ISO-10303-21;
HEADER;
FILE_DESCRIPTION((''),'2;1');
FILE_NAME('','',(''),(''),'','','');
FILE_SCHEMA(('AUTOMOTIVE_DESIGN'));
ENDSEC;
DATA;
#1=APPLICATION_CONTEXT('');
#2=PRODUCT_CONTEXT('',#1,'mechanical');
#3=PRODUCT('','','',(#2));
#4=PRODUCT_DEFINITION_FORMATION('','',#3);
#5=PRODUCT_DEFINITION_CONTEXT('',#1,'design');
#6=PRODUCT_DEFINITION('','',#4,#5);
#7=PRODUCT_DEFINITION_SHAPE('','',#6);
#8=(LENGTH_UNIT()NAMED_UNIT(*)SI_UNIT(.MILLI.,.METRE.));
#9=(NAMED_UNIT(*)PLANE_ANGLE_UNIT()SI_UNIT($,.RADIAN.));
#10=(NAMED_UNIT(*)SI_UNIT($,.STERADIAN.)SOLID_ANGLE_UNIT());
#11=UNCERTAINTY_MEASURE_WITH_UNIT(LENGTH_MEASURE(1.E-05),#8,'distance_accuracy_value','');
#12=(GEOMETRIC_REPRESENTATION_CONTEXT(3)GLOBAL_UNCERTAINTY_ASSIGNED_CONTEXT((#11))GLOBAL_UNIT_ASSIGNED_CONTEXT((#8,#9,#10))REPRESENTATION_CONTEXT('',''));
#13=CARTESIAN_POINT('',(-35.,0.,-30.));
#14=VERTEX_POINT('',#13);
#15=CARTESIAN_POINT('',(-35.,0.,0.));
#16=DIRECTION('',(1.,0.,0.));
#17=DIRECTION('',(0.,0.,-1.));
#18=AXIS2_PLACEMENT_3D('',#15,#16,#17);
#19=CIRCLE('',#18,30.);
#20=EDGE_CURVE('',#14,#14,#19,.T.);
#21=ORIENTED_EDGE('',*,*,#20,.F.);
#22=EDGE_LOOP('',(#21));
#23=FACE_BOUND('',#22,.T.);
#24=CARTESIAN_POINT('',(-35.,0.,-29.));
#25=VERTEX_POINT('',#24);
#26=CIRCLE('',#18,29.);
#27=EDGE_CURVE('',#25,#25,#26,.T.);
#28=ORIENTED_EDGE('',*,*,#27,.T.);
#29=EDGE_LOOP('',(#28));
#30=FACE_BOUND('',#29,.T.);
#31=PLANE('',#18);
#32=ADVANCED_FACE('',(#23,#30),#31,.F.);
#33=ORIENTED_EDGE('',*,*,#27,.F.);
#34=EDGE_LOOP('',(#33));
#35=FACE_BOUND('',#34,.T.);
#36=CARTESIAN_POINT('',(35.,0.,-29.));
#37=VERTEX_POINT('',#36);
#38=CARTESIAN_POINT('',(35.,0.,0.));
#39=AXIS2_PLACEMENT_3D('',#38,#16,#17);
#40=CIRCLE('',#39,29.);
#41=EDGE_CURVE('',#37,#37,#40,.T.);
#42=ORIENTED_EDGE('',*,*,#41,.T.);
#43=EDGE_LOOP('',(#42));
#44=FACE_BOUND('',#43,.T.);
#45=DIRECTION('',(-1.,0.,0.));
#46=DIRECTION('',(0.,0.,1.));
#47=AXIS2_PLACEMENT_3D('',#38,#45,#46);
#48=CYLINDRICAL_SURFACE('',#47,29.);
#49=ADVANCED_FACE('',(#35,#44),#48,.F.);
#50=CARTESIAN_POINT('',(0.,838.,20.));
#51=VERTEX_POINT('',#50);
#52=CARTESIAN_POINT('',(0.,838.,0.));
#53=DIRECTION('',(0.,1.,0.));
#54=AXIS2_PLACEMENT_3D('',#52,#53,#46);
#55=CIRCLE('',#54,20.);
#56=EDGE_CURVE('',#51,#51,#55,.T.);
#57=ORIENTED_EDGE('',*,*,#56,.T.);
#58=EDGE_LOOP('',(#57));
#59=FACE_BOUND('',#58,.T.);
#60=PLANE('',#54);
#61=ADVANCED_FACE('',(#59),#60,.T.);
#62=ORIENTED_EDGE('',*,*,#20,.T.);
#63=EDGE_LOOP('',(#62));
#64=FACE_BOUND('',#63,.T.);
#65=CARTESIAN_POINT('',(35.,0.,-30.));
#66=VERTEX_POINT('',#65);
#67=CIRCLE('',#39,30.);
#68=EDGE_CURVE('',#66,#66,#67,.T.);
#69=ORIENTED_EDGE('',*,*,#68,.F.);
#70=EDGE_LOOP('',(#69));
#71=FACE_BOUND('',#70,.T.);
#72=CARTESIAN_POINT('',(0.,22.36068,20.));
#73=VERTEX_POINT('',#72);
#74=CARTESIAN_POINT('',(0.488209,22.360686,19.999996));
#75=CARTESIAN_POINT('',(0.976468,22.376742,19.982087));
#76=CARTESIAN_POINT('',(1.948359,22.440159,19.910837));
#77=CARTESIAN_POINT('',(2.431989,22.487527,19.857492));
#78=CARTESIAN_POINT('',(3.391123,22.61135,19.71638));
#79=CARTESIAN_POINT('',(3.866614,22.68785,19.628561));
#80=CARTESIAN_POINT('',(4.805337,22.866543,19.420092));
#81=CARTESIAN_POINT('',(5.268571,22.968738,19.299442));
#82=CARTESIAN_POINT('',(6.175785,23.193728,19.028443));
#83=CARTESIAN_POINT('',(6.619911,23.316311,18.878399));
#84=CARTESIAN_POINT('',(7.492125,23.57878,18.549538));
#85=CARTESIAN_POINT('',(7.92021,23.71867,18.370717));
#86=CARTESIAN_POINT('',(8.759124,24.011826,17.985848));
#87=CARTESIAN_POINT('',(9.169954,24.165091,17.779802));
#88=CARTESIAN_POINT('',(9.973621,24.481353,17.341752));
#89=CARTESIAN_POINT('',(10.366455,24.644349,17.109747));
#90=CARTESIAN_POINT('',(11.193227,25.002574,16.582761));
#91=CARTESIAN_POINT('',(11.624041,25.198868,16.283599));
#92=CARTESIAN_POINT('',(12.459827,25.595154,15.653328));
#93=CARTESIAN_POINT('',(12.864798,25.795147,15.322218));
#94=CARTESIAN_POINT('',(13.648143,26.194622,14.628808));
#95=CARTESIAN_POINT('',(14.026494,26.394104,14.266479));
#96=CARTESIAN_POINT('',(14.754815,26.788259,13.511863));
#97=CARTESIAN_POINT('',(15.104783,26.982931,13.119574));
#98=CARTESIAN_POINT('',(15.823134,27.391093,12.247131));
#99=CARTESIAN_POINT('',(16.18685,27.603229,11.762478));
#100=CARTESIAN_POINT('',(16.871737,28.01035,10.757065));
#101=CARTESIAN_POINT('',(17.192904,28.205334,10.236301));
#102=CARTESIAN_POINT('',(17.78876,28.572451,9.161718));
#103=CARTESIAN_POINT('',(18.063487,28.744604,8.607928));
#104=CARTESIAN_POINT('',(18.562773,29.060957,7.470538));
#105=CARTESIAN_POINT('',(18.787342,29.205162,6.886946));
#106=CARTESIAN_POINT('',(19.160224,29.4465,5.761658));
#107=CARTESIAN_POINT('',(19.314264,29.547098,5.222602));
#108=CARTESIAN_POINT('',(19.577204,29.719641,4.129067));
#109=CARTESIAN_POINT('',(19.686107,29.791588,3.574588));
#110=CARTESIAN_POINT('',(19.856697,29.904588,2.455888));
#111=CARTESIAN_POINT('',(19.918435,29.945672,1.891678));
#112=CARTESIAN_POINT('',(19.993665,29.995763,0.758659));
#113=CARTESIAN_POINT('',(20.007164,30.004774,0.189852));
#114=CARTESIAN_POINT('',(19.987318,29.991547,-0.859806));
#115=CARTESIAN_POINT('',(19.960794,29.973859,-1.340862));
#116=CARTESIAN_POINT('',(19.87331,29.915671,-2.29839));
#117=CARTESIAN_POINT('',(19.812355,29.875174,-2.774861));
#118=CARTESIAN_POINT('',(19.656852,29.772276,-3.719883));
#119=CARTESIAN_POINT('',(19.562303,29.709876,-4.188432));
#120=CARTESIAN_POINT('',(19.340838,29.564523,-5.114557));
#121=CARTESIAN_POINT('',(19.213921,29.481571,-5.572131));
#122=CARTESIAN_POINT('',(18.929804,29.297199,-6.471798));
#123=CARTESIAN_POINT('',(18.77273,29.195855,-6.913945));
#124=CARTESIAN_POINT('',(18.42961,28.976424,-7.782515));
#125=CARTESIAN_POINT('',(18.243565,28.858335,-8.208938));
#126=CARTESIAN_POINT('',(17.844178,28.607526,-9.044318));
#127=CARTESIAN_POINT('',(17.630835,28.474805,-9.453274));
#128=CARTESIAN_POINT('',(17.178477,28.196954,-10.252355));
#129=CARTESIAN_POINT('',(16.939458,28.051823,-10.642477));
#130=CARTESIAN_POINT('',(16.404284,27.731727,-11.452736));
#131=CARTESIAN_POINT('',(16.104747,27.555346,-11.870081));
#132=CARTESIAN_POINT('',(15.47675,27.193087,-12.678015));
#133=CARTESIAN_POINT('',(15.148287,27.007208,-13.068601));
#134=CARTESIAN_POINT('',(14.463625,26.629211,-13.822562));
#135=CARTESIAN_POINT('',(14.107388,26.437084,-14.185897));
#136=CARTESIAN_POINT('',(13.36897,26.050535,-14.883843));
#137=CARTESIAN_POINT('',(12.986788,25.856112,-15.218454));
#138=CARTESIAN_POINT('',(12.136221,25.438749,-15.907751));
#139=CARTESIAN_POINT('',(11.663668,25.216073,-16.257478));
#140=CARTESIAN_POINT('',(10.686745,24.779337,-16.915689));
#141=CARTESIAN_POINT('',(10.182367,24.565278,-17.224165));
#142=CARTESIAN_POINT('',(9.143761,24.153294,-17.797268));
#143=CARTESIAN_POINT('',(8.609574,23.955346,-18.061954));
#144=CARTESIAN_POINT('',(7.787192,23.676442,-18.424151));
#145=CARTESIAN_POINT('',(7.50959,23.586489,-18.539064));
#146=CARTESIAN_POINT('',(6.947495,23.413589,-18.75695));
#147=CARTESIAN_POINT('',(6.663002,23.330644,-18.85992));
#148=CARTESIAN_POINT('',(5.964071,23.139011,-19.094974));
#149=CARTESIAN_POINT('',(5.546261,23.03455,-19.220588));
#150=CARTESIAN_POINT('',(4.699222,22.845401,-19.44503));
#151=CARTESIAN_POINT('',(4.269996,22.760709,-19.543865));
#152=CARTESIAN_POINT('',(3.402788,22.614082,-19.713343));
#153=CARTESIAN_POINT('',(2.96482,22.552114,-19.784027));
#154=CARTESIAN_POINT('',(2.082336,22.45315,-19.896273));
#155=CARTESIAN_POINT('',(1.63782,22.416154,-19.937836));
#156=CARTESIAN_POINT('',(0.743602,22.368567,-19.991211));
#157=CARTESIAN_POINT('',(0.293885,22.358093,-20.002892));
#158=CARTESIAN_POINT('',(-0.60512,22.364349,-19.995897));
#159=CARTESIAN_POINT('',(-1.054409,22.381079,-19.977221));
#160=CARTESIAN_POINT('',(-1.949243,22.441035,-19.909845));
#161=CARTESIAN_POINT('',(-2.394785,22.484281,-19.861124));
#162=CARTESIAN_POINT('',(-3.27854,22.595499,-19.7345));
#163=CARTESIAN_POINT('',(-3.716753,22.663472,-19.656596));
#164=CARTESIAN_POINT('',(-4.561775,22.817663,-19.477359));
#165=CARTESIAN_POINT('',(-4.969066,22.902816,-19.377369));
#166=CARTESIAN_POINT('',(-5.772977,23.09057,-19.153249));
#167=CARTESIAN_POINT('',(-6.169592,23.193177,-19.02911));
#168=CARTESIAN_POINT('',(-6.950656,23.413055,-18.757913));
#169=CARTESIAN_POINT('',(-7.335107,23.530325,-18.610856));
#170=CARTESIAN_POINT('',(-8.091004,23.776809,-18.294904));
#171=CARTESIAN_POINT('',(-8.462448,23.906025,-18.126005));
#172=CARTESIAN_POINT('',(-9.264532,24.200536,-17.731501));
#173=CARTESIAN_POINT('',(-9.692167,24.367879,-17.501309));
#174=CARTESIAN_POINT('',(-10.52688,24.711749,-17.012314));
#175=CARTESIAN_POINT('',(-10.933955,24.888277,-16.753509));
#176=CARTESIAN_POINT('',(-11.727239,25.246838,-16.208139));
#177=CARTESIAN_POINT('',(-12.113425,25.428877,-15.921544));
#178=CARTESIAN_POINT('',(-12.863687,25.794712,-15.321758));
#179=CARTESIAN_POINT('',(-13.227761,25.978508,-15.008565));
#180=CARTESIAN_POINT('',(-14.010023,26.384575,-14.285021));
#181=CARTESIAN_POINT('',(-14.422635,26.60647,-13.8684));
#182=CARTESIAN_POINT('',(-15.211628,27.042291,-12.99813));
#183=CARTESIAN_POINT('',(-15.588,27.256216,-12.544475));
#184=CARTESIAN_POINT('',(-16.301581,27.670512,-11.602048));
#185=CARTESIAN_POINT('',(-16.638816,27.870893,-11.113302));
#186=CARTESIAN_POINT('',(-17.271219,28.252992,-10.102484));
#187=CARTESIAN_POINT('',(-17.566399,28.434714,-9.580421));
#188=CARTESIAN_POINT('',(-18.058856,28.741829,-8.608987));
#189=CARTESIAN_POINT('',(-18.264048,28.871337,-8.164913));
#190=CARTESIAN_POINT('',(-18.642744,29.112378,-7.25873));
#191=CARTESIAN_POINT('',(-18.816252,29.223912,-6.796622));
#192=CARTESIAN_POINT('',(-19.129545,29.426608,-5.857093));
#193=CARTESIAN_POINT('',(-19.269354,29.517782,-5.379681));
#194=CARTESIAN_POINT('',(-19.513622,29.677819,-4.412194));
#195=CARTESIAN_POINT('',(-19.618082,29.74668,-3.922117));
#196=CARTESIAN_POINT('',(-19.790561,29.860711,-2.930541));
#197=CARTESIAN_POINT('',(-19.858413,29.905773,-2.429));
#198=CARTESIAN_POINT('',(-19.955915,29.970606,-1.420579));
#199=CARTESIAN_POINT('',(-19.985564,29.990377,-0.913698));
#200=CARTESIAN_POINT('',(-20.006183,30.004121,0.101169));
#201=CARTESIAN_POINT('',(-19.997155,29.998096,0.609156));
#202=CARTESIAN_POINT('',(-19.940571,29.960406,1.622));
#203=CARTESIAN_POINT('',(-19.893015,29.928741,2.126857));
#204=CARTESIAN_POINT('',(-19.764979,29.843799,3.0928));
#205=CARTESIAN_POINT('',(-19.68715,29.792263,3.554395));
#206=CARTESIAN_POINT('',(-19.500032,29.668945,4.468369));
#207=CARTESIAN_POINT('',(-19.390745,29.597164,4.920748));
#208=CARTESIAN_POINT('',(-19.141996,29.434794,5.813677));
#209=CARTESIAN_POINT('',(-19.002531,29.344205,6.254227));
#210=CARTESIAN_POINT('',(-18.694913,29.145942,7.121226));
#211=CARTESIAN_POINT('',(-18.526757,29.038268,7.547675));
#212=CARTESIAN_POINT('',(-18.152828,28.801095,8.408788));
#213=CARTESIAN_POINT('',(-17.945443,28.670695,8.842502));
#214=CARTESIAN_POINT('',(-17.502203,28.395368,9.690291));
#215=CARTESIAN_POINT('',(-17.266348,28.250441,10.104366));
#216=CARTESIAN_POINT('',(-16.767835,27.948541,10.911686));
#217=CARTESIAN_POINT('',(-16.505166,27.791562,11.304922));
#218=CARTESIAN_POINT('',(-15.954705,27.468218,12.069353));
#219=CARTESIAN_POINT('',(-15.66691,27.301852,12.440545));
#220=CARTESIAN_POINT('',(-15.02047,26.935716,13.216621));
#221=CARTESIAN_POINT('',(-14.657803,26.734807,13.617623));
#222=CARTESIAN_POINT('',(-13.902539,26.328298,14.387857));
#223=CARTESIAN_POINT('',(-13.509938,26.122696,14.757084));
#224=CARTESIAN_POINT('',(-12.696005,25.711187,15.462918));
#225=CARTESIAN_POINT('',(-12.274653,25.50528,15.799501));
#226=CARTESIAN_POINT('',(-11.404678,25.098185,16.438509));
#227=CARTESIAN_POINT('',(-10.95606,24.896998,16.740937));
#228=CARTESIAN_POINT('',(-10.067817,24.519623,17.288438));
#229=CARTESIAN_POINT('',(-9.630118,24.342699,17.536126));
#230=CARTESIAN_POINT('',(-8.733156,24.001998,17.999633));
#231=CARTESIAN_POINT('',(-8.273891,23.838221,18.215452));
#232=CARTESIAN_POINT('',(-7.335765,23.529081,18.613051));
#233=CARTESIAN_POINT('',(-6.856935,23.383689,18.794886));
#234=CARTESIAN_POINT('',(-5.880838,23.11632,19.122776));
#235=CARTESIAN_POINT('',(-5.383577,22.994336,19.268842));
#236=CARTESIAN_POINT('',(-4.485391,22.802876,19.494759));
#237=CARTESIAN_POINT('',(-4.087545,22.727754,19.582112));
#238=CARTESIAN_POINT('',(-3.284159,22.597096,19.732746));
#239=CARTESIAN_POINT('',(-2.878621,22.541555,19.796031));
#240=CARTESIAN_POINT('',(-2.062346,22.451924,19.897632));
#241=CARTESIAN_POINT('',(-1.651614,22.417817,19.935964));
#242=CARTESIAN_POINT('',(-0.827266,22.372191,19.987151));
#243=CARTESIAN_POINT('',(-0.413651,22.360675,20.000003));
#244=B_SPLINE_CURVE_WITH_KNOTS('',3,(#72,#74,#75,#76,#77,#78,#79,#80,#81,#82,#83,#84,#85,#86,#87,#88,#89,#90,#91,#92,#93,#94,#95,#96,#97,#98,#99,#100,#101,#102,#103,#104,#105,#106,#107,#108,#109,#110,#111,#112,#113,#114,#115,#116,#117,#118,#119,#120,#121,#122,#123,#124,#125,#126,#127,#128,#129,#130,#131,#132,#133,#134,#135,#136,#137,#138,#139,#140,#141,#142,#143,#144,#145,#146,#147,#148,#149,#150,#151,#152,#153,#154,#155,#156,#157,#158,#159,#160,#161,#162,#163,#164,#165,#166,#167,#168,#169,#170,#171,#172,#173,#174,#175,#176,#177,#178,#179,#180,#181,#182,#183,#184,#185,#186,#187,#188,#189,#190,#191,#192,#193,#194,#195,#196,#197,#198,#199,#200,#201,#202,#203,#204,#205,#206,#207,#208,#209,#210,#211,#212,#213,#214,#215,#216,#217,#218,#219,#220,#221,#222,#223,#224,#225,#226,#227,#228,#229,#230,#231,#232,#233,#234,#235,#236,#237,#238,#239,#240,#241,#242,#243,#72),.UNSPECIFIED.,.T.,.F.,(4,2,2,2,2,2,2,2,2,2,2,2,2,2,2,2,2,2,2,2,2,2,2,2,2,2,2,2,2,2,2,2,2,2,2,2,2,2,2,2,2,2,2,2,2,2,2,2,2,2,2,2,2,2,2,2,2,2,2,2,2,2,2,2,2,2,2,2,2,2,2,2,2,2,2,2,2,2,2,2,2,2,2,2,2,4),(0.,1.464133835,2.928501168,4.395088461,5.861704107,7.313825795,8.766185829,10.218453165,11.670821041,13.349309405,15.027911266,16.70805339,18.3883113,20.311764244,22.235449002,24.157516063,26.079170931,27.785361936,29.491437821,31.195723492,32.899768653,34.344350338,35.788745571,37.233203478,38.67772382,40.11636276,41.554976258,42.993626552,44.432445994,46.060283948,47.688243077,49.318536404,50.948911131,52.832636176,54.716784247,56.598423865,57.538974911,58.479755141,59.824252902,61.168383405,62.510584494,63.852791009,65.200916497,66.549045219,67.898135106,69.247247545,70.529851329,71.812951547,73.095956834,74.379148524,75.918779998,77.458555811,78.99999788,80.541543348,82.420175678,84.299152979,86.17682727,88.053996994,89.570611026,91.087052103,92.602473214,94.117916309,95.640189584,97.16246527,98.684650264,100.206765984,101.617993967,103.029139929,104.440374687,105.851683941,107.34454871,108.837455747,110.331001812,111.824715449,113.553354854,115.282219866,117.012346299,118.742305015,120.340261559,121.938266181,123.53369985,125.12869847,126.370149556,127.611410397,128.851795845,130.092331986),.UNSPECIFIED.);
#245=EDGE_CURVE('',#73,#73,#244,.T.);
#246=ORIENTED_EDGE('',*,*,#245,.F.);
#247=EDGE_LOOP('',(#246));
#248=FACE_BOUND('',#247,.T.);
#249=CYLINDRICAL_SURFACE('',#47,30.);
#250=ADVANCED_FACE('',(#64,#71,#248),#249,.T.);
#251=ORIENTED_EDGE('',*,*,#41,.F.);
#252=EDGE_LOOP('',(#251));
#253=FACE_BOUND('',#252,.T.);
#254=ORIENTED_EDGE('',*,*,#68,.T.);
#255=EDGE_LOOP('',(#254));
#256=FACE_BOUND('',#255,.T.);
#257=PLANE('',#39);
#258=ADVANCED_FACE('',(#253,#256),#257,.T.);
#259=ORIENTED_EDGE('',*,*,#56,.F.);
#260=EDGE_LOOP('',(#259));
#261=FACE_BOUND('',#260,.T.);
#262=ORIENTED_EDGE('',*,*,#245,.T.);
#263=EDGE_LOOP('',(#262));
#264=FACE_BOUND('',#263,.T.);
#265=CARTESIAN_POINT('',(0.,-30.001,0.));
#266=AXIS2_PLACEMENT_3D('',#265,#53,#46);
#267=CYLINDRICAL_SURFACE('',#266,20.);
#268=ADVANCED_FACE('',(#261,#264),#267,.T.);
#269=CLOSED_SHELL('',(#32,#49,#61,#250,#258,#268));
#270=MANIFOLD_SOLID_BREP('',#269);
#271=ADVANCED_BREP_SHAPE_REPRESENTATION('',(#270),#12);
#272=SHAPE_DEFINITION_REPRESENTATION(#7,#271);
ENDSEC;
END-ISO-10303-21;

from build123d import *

# Parameters (mm, degrees)
SKETCH2_R                = 30
SKETCH2_R_2              = 29
BOSS_EXTRUDE3_DEPTH      = 35
BOSS_EXTRUDE4_REACH      = 895
BOSS_EXTRUDE4_END_RADIUS = 30
BOSS_EXTRUDE4_START      = 838
SKETCH1_R                = 20


with BuildPart() as part:
    # Sketch2 → Boss-Extrude3 (new, symmetric)
    with BuildSketch(Plane(origin=(0, 0, 0), x_dir=(0, 0, -1), z_dir=(1, 0, 0))):
        Circle(SKETCH2_R)
        Circle(SKETCH2_R_2, mode=Mode.SUBTRACT)
    extrude(amount=BOSS_EXTRUDE3_DEPTH, both=True)

    # Boss-Extrude4: up to this cylinder (the profile starts outside it)
    boss_extrude4_end = Plane(origin=(0, 0, 0), z_dir=(-1, 0, 0)) * Cylinder(BOSS_EXTRUDE4_END_RADIUS, 1851, mode=Mode.PRIVATE)
    # Sketch1 → Boss-Extrude4 (add, up to the surface)
    with BuildSketch(Plane(origin=(0, 0, 0), x_dir=(1, 0, 0), z_dir=(0, 1, 0)).offset(BOSS_EXTRUDE4_START), mode=Mode.PRIVATE) as boss_extrude4_sk1:
        with Locations(Location((0, 0, 0), (0, 0, 270))):
            Circle(SKETCH1_R)
    boss_extrude4_tool1 = extrude(boss_extrude4_sk1.sketch, amount=-BOSS_EXTRUDE4_REACH, mode=Mode.PRIVATE) - boss_extrude4_end
    add(boss_extrude4_tool1.solids().sort_by_distance((0, 838, 0))[0])


solid = part.part
